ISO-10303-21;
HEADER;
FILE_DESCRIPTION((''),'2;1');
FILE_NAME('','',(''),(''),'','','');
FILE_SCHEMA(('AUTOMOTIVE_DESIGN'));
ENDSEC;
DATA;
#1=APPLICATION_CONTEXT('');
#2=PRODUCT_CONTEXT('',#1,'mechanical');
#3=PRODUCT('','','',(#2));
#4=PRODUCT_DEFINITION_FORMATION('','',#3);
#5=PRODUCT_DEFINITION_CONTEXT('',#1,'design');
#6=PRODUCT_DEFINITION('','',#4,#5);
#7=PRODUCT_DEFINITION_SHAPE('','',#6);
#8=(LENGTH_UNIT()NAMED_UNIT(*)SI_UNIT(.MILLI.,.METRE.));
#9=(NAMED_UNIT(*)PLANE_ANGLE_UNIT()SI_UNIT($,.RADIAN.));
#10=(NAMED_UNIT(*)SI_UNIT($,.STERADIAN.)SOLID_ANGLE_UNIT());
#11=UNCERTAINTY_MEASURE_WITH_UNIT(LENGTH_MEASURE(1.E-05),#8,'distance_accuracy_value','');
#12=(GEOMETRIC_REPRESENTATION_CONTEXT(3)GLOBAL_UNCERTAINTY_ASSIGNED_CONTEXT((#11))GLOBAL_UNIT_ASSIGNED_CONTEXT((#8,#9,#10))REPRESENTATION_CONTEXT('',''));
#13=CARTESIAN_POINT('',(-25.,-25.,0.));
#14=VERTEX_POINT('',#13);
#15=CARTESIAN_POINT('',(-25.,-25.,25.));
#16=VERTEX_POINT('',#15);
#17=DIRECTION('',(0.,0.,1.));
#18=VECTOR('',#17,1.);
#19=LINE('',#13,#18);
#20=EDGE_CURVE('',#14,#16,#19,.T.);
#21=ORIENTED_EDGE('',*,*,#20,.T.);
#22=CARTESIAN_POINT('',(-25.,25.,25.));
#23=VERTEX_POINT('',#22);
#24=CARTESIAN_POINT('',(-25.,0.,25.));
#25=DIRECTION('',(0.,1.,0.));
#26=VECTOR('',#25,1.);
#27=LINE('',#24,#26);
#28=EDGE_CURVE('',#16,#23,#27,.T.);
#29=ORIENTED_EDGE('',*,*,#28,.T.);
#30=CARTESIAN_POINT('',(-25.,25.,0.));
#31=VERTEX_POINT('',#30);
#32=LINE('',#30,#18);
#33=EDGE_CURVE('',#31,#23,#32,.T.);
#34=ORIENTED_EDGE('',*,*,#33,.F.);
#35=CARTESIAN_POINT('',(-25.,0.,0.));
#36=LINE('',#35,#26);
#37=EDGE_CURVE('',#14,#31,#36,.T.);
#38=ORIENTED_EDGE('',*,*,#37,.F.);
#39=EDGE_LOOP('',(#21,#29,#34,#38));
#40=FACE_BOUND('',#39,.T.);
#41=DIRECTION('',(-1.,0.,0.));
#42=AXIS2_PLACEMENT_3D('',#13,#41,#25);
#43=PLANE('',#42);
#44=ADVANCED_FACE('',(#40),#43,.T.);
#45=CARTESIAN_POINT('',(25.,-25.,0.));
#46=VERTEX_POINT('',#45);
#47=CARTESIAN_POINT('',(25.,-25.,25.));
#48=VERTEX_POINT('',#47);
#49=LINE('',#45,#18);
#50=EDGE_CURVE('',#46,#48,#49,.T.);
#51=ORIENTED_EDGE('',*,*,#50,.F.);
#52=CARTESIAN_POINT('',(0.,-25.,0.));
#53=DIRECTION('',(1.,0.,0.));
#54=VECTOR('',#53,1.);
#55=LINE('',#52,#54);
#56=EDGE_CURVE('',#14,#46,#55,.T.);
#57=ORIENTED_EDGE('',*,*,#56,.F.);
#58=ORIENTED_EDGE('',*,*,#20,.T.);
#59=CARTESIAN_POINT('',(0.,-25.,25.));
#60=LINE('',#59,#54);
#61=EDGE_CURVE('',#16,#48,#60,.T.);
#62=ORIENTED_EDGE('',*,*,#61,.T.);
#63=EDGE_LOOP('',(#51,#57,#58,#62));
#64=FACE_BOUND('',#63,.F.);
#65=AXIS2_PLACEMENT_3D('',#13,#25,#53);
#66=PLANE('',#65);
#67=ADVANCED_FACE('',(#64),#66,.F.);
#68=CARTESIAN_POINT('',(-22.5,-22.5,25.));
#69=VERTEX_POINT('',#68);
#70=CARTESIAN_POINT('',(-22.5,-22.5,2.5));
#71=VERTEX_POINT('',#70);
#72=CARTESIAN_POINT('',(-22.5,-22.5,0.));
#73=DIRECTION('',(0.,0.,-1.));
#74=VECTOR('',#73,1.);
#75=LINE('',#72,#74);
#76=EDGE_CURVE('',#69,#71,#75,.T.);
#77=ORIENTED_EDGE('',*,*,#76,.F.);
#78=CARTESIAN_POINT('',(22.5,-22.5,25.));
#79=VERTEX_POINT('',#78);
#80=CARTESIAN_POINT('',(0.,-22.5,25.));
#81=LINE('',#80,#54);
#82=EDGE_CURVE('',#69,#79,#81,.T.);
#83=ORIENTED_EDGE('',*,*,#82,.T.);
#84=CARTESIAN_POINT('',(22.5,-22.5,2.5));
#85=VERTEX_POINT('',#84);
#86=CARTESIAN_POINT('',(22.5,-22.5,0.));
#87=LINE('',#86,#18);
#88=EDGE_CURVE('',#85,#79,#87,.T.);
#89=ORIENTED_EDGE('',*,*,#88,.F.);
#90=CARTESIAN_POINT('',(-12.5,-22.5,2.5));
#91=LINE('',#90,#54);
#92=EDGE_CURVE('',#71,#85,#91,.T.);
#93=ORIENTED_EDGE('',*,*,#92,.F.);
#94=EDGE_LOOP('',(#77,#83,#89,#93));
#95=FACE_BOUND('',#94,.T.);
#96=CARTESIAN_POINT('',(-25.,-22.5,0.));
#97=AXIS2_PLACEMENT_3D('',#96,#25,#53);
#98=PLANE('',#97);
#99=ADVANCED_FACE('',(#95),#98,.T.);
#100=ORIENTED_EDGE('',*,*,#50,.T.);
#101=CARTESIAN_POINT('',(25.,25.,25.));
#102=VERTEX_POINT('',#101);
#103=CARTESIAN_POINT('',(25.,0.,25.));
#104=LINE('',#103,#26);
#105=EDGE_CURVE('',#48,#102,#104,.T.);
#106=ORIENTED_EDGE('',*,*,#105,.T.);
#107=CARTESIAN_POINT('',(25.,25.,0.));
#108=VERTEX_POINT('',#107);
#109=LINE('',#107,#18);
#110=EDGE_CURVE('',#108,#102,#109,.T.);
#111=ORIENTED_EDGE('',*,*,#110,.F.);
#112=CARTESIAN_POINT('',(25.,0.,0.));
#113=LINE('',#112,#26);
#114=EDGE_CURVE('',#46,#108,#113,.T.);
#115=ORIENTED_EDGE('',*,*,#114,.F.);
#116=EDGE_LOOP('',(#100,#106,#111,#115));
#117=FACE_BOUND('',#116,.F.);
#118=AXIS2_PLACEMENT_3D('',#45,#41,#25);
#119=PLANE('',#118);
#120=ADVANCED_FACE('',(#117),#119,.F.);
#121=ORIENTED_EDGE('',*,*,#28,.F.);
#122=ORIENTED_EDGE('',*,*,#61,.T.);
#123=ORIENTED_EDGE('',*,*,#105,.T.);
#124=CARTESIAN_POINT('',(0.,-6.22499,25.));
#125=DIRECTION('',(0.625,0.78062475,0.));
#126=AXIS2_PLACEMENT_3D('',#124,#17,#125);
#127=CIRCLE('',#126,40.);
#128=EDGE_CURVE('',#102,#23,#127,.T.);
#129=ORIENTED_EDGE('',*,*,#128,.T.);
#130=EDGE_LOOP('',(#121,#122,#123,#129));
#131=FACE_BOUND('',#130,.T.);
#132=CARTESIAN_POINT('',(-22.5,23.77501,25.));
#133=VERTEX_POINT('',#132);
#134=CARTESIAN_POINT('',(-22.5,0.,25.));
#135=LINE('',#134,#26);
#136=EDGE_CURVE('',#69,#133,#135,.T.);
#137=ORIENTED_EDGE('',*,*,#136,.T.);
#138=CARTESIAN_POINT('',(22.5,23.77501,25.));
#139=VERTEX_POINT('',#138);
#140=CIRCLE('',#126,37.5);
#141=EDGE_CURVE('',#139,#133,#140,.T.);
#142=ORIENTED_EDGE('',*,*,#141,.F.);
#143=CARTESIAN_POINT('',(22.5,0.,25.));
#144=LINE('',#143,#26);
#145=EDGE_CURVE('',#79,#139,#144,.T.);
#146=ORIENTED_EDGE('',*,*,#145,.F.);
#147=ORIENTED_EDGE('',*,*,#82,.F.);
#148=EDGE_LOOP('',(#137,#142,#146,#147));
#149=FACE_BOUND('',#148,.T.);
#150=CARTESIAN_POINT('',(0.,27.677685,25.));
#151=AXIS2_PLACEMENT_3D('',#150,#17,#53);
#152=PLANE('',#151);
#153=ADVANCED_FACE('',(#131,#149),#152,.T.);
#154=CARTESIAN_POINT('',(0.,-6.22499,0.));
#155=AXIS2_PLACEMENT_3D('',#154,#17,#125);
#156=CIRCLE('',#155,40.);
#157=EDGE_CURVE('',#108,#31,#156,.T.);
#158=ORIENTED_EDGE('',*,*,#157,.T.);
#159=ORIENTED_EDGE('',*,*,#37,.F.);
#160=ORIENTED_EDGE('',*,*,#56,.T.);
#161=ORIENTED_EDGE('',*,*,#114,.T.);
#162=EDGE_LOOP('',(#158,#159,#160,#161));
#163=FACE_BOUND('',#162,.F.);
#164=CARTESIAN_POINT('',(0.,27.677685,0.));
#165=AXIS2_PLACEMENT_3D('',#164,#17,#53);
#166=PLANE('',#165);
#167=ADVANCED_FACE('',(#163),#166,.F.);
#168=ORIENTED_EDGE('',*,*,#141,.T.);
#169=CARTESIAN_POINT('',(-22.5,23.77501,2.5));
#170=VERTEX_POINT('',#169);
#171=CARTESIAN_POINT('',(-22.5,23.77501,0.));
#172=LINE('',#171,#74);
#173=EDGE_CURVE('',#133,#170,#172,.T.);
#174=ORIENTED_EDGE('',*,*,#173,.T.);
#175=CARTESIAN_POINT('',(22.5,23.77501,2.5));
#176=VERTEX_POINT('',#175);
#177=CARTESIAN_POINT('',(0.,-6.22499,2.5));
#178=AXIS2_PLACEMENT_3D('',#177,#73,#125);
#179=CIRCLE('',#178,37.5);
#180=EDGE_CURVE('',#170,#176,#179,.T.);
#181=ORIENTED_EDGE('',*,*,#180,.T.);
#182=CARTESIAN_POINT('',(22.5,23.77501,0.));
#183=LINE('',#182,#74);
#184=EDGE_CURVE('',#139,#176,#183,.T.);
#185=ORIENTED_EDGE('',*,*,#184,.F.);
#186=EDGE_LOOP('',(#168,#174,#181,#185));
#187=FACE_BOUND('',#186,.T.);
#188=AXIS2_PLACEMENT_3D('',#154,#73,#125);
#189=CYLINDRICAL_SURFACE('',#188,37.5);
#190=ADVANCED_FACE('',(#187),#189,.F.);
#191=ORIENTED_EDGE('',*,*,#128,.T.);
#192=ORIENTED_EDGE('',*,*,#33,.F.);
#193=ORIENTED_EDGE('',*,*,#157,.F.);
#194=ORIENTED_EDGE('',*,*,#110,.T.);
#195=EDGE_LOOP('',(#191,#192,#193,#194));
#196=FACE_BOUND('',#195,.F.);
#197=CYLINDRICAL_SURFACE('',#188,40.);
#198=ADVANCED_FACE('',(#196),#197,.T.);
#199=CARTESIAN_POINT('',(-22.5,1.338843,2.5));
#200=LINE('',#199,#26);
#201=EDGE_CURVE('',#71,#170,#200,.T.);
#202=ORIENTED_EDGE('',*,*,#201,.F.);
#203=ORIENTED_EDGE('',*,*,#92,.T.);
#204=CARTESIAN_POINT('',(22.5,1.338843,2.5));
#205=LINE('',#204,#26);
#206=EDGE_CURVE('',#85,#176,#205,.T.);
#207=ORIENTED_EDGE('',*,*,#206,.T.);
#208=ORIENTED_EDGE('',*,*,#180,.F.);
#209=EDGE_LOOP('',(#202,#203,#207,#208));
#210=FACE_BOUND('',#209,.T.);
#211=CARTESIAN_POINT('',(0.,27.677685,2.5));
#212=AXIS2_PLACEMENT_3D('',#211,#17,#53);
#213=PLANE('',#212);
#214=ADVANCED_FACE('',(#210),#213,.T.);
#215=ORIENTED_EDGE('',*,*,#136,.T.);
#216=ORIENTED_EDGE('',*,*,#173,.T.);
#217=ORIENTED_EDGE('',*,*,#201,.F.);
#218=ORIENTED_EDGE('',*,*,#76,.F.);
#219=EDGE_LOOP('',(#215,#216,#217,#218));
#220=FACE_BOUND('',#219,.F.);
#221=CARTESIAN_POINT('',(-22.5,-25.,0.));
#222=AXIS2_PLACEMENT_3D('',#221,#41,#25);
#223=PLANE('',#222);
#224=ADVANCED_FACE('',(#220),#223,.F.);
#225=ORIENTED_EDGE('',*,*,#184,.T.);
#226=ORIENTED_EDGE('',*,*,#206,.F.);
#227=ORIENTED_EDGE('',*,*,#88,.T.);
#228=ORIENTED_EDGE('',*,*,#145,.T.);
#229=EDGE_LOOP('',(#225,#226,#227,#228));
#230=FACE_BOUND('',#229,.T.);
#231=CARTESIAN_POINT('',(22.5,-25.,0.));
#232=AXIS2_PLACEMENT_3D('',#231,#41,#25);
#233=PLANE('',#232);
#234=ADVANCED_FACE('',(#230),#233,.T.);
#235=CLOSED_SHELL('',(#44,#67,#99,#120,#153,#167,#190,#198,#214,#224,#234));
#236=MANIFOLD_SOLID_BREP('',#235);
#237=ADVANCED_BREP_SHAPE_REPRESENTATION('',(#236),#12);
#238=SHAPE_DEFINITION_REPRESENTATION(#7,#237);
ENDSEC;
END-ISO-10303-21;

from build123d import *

# Parameters (mm, degrees)
F0_W     = 50
F0_H     = 50
F1_DEPTH = 25
F2_T     = -2.5


with BuildPart() as f1:
    # F0 (on Top) → F1 (new body)
    with BuildSketch(Plane.XY):
        with BuildLine():
            ThreePointArc((25, 25), (0, 33.77501), (-25, 25))
            Line((-25, 25), (25, 25))
        make_face()
        Rectangle(F0_W, F0_H)
    extrude(amount=F1_DEPTH)

    # F2
    f2_openings = [f1.faces().sort_by_distance(p)[0] for p in [
        (0, 3.054648, 25),
    ]]
    offset(amount=F2_T, openings=f2_openings)


solid = f1.part
